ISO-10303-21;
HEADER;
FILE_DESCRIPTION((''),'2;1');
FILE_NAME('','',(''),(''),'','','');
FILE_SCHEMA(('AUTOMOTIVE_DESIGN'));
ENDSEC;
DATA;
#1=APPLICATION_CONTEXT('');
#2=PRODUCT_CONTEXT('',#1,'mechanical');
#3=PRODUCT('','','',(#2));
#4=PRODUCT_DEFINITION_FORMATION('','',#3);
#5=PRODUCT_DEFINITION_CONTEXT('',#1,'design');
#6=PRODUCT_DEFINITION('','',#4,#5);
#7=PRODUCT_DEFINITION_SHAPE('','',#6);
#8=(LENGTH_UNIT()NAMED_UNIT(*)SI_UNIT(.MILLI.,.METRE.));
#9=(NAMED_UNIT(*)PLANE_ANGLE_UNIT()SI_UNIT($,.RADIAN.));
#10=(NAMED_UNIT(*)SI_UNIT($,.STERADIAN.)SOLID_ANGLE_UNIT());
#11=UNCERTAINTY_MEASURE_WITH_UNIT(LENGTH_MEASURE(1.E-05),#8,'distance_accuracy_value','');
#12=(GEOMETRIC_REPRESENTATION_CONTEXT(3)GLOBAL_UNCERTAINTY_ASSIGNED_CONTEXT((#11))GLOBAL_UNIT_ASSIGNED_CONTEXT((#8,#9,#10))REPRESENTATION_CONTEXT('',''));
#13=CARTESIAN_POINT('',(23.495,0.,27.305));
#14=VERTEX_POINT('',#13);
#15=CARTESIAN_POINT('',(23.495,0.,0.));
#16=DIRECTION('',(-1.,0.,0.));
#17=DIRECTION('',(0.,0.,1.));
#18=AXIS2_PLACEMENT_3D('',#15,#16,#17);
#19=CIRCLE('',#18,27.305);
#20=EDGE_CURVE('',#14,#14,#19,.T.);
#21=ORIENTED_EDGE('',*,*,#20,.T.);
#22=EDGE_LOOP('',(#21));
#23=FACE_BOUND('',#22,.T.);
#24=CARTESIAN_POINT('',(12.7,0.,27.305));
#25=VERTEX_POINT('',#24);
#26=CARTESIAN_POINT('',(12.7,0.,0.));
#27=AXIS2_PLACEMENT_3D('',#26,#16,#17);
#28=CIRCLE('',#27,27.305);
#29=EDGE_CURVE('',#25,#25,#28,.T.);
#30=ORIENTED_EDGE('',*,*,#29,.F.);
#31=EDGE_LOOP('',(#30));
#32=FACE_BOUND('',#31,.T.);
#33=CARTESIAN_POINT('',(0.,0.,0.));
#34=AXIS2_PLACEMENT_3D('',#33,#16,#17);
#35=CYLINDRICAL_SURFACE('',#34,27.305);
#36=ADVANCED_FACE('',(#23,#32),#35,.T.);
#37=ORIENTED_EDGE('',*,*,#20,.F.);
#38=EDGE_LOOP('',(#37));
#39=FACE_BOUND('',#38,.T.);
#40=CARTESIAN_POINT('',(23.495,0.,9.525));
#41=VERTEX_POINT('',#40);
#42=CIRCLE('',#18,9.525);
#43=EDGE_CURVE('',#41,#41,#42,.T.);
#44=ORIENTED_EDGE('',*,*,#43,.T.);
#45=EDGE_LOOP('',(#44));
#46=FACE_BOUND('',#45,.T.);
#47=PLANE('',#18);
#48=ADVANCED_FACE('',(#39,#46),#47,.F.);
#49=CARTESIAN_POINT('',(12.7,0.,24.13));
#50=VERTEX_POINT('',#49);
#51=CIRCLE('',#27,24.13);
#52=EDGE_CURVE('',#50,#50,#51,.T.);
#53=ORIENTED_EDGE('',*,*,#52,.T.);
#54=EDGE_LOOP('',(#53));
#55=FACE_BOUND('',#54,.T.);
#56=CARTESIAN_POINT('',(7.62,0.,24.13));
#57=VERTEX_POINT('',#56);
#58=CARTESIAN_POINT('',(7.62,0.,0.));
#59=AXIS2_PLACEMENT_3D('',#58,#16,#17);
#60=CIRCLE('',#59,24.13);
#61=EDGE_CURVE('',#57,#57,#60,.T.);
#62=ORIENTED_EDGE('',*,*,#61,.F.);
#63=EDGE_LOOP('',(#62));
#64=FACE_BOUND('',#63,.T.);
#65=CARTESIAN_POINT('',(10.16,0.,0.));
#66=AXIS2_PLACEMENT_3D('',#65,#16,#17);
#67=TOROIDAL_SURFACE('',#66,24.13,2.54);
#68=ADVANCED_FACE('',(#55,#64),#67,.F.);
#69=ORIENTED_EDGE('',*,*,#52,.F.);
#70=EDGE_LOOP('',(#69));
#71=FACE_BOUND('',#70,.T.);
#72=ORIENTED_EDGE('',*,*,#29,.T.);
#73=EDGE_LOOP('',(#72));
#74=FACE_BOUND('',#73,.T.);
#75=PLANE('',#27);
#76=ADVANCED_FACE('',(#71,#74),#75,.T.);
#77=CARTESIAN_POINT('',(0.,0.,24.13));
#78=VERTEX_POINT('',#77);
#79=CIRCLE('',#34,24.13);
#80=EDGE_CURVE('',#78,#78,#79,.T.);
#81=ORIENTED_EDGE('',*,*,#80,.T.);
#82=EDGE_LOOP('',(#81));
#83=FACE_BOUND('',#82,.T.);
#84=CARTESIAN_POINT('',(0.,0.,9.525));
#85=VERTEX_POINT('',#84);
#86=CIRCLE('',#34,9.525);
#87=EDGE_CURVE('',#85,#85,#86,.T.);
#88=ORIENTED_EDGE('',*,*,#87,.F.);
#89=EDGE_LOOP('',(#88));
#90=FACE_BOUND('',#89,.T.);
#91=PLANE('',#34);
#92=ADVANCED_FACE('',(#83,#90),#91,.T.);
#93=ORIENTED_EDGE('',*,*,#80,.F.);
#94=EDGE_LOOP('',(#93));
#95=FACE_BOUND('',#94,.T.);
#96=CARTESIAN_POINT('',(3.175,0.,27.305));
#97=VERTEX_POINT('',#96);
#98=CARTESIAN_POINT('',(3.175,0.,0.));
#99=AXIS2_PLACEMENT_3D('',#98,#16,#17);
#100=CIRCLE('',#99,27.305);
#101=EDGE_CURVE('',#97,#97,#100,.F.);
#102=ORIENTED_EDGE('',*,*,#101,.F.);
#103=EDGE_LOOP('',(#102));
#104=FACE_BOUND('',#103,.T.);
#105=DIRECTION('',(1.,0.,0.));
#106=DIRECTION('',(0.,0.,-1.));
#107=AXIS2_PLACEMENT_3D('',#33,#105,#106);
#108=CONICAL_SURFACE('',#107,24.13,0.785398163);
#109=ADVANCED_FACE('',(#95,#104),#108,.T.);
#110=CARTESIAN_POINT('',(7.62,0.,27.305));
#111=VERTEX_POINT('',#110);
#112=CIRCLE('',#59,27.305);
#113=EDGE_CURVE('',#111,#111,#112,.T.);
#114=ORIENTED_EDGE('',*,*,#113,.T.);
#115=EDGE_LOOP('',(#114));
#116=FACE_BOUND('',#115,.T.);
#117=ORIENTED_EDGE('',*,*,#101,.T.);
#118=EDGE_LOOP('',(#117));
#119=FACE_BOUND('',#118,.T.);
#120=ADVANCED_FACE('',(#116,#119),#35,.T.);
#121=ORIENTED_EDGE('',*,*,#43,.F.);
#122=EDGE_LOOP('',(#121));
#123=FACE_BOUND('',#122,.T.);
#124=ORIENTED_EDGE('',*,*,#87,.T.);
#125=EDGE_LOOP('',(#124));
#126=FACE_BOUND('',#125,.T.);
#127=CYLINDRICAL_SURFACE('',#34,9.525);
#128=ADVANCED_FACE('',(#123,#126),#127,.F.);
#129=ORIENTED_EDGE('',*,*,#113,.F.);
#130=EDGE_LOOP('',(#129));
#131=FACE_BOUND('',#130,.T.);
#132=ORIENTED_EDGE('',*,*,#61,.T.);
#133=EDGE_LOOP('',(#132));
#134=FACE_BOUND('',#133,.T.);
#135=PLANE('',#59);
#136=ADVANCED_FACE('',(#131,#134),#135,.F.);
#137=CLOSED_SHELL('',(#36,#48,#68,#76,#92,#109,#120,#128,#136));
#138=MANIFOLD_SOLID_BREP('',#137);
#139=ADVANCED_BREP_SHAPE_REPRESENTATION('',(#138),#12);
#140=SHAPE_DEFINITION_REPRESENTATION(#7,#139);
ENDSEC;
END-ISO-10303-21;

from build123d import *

# Parameters (mm, degrees)
CHAMFER1_SIZE = 3.175


with BuildPart() as part:
    # Sketch1 → Revolve1 (revolve)
    with BuildSketch(Plane.XY):
        with BuildLine():
            Line((0, 27.305), (0, 9.525))
            Line((0, 9.525), (23.495, 9.525))
            Line((23.495, 9.525), (23.495, 27.305))
            Line((23.495, 27.305), (12.7, 27.305))
            Line((12.7, 27.305), (12.7, 24.13))
            ThreePointArc((12.7, 24.13), (10.16, 21.59), (7.62, 24.13))
            Line((7.62, 24.13), (7.62, 27.305))
            Line((7.62, 27.305), (0, 27.305))
        make_face()
    revolve(axis=Axis((0, 0, 0), (1, 0, 0)))

    # Chamfer1
    chamfer1_edges = [part.edges().sort_by_distance(p)[0] for p in [
        (0, -27.305, 0),
    ]]
    chamfer(chamfer1_edges, length=CHAMFER1_SIZE)


solid = part.part
